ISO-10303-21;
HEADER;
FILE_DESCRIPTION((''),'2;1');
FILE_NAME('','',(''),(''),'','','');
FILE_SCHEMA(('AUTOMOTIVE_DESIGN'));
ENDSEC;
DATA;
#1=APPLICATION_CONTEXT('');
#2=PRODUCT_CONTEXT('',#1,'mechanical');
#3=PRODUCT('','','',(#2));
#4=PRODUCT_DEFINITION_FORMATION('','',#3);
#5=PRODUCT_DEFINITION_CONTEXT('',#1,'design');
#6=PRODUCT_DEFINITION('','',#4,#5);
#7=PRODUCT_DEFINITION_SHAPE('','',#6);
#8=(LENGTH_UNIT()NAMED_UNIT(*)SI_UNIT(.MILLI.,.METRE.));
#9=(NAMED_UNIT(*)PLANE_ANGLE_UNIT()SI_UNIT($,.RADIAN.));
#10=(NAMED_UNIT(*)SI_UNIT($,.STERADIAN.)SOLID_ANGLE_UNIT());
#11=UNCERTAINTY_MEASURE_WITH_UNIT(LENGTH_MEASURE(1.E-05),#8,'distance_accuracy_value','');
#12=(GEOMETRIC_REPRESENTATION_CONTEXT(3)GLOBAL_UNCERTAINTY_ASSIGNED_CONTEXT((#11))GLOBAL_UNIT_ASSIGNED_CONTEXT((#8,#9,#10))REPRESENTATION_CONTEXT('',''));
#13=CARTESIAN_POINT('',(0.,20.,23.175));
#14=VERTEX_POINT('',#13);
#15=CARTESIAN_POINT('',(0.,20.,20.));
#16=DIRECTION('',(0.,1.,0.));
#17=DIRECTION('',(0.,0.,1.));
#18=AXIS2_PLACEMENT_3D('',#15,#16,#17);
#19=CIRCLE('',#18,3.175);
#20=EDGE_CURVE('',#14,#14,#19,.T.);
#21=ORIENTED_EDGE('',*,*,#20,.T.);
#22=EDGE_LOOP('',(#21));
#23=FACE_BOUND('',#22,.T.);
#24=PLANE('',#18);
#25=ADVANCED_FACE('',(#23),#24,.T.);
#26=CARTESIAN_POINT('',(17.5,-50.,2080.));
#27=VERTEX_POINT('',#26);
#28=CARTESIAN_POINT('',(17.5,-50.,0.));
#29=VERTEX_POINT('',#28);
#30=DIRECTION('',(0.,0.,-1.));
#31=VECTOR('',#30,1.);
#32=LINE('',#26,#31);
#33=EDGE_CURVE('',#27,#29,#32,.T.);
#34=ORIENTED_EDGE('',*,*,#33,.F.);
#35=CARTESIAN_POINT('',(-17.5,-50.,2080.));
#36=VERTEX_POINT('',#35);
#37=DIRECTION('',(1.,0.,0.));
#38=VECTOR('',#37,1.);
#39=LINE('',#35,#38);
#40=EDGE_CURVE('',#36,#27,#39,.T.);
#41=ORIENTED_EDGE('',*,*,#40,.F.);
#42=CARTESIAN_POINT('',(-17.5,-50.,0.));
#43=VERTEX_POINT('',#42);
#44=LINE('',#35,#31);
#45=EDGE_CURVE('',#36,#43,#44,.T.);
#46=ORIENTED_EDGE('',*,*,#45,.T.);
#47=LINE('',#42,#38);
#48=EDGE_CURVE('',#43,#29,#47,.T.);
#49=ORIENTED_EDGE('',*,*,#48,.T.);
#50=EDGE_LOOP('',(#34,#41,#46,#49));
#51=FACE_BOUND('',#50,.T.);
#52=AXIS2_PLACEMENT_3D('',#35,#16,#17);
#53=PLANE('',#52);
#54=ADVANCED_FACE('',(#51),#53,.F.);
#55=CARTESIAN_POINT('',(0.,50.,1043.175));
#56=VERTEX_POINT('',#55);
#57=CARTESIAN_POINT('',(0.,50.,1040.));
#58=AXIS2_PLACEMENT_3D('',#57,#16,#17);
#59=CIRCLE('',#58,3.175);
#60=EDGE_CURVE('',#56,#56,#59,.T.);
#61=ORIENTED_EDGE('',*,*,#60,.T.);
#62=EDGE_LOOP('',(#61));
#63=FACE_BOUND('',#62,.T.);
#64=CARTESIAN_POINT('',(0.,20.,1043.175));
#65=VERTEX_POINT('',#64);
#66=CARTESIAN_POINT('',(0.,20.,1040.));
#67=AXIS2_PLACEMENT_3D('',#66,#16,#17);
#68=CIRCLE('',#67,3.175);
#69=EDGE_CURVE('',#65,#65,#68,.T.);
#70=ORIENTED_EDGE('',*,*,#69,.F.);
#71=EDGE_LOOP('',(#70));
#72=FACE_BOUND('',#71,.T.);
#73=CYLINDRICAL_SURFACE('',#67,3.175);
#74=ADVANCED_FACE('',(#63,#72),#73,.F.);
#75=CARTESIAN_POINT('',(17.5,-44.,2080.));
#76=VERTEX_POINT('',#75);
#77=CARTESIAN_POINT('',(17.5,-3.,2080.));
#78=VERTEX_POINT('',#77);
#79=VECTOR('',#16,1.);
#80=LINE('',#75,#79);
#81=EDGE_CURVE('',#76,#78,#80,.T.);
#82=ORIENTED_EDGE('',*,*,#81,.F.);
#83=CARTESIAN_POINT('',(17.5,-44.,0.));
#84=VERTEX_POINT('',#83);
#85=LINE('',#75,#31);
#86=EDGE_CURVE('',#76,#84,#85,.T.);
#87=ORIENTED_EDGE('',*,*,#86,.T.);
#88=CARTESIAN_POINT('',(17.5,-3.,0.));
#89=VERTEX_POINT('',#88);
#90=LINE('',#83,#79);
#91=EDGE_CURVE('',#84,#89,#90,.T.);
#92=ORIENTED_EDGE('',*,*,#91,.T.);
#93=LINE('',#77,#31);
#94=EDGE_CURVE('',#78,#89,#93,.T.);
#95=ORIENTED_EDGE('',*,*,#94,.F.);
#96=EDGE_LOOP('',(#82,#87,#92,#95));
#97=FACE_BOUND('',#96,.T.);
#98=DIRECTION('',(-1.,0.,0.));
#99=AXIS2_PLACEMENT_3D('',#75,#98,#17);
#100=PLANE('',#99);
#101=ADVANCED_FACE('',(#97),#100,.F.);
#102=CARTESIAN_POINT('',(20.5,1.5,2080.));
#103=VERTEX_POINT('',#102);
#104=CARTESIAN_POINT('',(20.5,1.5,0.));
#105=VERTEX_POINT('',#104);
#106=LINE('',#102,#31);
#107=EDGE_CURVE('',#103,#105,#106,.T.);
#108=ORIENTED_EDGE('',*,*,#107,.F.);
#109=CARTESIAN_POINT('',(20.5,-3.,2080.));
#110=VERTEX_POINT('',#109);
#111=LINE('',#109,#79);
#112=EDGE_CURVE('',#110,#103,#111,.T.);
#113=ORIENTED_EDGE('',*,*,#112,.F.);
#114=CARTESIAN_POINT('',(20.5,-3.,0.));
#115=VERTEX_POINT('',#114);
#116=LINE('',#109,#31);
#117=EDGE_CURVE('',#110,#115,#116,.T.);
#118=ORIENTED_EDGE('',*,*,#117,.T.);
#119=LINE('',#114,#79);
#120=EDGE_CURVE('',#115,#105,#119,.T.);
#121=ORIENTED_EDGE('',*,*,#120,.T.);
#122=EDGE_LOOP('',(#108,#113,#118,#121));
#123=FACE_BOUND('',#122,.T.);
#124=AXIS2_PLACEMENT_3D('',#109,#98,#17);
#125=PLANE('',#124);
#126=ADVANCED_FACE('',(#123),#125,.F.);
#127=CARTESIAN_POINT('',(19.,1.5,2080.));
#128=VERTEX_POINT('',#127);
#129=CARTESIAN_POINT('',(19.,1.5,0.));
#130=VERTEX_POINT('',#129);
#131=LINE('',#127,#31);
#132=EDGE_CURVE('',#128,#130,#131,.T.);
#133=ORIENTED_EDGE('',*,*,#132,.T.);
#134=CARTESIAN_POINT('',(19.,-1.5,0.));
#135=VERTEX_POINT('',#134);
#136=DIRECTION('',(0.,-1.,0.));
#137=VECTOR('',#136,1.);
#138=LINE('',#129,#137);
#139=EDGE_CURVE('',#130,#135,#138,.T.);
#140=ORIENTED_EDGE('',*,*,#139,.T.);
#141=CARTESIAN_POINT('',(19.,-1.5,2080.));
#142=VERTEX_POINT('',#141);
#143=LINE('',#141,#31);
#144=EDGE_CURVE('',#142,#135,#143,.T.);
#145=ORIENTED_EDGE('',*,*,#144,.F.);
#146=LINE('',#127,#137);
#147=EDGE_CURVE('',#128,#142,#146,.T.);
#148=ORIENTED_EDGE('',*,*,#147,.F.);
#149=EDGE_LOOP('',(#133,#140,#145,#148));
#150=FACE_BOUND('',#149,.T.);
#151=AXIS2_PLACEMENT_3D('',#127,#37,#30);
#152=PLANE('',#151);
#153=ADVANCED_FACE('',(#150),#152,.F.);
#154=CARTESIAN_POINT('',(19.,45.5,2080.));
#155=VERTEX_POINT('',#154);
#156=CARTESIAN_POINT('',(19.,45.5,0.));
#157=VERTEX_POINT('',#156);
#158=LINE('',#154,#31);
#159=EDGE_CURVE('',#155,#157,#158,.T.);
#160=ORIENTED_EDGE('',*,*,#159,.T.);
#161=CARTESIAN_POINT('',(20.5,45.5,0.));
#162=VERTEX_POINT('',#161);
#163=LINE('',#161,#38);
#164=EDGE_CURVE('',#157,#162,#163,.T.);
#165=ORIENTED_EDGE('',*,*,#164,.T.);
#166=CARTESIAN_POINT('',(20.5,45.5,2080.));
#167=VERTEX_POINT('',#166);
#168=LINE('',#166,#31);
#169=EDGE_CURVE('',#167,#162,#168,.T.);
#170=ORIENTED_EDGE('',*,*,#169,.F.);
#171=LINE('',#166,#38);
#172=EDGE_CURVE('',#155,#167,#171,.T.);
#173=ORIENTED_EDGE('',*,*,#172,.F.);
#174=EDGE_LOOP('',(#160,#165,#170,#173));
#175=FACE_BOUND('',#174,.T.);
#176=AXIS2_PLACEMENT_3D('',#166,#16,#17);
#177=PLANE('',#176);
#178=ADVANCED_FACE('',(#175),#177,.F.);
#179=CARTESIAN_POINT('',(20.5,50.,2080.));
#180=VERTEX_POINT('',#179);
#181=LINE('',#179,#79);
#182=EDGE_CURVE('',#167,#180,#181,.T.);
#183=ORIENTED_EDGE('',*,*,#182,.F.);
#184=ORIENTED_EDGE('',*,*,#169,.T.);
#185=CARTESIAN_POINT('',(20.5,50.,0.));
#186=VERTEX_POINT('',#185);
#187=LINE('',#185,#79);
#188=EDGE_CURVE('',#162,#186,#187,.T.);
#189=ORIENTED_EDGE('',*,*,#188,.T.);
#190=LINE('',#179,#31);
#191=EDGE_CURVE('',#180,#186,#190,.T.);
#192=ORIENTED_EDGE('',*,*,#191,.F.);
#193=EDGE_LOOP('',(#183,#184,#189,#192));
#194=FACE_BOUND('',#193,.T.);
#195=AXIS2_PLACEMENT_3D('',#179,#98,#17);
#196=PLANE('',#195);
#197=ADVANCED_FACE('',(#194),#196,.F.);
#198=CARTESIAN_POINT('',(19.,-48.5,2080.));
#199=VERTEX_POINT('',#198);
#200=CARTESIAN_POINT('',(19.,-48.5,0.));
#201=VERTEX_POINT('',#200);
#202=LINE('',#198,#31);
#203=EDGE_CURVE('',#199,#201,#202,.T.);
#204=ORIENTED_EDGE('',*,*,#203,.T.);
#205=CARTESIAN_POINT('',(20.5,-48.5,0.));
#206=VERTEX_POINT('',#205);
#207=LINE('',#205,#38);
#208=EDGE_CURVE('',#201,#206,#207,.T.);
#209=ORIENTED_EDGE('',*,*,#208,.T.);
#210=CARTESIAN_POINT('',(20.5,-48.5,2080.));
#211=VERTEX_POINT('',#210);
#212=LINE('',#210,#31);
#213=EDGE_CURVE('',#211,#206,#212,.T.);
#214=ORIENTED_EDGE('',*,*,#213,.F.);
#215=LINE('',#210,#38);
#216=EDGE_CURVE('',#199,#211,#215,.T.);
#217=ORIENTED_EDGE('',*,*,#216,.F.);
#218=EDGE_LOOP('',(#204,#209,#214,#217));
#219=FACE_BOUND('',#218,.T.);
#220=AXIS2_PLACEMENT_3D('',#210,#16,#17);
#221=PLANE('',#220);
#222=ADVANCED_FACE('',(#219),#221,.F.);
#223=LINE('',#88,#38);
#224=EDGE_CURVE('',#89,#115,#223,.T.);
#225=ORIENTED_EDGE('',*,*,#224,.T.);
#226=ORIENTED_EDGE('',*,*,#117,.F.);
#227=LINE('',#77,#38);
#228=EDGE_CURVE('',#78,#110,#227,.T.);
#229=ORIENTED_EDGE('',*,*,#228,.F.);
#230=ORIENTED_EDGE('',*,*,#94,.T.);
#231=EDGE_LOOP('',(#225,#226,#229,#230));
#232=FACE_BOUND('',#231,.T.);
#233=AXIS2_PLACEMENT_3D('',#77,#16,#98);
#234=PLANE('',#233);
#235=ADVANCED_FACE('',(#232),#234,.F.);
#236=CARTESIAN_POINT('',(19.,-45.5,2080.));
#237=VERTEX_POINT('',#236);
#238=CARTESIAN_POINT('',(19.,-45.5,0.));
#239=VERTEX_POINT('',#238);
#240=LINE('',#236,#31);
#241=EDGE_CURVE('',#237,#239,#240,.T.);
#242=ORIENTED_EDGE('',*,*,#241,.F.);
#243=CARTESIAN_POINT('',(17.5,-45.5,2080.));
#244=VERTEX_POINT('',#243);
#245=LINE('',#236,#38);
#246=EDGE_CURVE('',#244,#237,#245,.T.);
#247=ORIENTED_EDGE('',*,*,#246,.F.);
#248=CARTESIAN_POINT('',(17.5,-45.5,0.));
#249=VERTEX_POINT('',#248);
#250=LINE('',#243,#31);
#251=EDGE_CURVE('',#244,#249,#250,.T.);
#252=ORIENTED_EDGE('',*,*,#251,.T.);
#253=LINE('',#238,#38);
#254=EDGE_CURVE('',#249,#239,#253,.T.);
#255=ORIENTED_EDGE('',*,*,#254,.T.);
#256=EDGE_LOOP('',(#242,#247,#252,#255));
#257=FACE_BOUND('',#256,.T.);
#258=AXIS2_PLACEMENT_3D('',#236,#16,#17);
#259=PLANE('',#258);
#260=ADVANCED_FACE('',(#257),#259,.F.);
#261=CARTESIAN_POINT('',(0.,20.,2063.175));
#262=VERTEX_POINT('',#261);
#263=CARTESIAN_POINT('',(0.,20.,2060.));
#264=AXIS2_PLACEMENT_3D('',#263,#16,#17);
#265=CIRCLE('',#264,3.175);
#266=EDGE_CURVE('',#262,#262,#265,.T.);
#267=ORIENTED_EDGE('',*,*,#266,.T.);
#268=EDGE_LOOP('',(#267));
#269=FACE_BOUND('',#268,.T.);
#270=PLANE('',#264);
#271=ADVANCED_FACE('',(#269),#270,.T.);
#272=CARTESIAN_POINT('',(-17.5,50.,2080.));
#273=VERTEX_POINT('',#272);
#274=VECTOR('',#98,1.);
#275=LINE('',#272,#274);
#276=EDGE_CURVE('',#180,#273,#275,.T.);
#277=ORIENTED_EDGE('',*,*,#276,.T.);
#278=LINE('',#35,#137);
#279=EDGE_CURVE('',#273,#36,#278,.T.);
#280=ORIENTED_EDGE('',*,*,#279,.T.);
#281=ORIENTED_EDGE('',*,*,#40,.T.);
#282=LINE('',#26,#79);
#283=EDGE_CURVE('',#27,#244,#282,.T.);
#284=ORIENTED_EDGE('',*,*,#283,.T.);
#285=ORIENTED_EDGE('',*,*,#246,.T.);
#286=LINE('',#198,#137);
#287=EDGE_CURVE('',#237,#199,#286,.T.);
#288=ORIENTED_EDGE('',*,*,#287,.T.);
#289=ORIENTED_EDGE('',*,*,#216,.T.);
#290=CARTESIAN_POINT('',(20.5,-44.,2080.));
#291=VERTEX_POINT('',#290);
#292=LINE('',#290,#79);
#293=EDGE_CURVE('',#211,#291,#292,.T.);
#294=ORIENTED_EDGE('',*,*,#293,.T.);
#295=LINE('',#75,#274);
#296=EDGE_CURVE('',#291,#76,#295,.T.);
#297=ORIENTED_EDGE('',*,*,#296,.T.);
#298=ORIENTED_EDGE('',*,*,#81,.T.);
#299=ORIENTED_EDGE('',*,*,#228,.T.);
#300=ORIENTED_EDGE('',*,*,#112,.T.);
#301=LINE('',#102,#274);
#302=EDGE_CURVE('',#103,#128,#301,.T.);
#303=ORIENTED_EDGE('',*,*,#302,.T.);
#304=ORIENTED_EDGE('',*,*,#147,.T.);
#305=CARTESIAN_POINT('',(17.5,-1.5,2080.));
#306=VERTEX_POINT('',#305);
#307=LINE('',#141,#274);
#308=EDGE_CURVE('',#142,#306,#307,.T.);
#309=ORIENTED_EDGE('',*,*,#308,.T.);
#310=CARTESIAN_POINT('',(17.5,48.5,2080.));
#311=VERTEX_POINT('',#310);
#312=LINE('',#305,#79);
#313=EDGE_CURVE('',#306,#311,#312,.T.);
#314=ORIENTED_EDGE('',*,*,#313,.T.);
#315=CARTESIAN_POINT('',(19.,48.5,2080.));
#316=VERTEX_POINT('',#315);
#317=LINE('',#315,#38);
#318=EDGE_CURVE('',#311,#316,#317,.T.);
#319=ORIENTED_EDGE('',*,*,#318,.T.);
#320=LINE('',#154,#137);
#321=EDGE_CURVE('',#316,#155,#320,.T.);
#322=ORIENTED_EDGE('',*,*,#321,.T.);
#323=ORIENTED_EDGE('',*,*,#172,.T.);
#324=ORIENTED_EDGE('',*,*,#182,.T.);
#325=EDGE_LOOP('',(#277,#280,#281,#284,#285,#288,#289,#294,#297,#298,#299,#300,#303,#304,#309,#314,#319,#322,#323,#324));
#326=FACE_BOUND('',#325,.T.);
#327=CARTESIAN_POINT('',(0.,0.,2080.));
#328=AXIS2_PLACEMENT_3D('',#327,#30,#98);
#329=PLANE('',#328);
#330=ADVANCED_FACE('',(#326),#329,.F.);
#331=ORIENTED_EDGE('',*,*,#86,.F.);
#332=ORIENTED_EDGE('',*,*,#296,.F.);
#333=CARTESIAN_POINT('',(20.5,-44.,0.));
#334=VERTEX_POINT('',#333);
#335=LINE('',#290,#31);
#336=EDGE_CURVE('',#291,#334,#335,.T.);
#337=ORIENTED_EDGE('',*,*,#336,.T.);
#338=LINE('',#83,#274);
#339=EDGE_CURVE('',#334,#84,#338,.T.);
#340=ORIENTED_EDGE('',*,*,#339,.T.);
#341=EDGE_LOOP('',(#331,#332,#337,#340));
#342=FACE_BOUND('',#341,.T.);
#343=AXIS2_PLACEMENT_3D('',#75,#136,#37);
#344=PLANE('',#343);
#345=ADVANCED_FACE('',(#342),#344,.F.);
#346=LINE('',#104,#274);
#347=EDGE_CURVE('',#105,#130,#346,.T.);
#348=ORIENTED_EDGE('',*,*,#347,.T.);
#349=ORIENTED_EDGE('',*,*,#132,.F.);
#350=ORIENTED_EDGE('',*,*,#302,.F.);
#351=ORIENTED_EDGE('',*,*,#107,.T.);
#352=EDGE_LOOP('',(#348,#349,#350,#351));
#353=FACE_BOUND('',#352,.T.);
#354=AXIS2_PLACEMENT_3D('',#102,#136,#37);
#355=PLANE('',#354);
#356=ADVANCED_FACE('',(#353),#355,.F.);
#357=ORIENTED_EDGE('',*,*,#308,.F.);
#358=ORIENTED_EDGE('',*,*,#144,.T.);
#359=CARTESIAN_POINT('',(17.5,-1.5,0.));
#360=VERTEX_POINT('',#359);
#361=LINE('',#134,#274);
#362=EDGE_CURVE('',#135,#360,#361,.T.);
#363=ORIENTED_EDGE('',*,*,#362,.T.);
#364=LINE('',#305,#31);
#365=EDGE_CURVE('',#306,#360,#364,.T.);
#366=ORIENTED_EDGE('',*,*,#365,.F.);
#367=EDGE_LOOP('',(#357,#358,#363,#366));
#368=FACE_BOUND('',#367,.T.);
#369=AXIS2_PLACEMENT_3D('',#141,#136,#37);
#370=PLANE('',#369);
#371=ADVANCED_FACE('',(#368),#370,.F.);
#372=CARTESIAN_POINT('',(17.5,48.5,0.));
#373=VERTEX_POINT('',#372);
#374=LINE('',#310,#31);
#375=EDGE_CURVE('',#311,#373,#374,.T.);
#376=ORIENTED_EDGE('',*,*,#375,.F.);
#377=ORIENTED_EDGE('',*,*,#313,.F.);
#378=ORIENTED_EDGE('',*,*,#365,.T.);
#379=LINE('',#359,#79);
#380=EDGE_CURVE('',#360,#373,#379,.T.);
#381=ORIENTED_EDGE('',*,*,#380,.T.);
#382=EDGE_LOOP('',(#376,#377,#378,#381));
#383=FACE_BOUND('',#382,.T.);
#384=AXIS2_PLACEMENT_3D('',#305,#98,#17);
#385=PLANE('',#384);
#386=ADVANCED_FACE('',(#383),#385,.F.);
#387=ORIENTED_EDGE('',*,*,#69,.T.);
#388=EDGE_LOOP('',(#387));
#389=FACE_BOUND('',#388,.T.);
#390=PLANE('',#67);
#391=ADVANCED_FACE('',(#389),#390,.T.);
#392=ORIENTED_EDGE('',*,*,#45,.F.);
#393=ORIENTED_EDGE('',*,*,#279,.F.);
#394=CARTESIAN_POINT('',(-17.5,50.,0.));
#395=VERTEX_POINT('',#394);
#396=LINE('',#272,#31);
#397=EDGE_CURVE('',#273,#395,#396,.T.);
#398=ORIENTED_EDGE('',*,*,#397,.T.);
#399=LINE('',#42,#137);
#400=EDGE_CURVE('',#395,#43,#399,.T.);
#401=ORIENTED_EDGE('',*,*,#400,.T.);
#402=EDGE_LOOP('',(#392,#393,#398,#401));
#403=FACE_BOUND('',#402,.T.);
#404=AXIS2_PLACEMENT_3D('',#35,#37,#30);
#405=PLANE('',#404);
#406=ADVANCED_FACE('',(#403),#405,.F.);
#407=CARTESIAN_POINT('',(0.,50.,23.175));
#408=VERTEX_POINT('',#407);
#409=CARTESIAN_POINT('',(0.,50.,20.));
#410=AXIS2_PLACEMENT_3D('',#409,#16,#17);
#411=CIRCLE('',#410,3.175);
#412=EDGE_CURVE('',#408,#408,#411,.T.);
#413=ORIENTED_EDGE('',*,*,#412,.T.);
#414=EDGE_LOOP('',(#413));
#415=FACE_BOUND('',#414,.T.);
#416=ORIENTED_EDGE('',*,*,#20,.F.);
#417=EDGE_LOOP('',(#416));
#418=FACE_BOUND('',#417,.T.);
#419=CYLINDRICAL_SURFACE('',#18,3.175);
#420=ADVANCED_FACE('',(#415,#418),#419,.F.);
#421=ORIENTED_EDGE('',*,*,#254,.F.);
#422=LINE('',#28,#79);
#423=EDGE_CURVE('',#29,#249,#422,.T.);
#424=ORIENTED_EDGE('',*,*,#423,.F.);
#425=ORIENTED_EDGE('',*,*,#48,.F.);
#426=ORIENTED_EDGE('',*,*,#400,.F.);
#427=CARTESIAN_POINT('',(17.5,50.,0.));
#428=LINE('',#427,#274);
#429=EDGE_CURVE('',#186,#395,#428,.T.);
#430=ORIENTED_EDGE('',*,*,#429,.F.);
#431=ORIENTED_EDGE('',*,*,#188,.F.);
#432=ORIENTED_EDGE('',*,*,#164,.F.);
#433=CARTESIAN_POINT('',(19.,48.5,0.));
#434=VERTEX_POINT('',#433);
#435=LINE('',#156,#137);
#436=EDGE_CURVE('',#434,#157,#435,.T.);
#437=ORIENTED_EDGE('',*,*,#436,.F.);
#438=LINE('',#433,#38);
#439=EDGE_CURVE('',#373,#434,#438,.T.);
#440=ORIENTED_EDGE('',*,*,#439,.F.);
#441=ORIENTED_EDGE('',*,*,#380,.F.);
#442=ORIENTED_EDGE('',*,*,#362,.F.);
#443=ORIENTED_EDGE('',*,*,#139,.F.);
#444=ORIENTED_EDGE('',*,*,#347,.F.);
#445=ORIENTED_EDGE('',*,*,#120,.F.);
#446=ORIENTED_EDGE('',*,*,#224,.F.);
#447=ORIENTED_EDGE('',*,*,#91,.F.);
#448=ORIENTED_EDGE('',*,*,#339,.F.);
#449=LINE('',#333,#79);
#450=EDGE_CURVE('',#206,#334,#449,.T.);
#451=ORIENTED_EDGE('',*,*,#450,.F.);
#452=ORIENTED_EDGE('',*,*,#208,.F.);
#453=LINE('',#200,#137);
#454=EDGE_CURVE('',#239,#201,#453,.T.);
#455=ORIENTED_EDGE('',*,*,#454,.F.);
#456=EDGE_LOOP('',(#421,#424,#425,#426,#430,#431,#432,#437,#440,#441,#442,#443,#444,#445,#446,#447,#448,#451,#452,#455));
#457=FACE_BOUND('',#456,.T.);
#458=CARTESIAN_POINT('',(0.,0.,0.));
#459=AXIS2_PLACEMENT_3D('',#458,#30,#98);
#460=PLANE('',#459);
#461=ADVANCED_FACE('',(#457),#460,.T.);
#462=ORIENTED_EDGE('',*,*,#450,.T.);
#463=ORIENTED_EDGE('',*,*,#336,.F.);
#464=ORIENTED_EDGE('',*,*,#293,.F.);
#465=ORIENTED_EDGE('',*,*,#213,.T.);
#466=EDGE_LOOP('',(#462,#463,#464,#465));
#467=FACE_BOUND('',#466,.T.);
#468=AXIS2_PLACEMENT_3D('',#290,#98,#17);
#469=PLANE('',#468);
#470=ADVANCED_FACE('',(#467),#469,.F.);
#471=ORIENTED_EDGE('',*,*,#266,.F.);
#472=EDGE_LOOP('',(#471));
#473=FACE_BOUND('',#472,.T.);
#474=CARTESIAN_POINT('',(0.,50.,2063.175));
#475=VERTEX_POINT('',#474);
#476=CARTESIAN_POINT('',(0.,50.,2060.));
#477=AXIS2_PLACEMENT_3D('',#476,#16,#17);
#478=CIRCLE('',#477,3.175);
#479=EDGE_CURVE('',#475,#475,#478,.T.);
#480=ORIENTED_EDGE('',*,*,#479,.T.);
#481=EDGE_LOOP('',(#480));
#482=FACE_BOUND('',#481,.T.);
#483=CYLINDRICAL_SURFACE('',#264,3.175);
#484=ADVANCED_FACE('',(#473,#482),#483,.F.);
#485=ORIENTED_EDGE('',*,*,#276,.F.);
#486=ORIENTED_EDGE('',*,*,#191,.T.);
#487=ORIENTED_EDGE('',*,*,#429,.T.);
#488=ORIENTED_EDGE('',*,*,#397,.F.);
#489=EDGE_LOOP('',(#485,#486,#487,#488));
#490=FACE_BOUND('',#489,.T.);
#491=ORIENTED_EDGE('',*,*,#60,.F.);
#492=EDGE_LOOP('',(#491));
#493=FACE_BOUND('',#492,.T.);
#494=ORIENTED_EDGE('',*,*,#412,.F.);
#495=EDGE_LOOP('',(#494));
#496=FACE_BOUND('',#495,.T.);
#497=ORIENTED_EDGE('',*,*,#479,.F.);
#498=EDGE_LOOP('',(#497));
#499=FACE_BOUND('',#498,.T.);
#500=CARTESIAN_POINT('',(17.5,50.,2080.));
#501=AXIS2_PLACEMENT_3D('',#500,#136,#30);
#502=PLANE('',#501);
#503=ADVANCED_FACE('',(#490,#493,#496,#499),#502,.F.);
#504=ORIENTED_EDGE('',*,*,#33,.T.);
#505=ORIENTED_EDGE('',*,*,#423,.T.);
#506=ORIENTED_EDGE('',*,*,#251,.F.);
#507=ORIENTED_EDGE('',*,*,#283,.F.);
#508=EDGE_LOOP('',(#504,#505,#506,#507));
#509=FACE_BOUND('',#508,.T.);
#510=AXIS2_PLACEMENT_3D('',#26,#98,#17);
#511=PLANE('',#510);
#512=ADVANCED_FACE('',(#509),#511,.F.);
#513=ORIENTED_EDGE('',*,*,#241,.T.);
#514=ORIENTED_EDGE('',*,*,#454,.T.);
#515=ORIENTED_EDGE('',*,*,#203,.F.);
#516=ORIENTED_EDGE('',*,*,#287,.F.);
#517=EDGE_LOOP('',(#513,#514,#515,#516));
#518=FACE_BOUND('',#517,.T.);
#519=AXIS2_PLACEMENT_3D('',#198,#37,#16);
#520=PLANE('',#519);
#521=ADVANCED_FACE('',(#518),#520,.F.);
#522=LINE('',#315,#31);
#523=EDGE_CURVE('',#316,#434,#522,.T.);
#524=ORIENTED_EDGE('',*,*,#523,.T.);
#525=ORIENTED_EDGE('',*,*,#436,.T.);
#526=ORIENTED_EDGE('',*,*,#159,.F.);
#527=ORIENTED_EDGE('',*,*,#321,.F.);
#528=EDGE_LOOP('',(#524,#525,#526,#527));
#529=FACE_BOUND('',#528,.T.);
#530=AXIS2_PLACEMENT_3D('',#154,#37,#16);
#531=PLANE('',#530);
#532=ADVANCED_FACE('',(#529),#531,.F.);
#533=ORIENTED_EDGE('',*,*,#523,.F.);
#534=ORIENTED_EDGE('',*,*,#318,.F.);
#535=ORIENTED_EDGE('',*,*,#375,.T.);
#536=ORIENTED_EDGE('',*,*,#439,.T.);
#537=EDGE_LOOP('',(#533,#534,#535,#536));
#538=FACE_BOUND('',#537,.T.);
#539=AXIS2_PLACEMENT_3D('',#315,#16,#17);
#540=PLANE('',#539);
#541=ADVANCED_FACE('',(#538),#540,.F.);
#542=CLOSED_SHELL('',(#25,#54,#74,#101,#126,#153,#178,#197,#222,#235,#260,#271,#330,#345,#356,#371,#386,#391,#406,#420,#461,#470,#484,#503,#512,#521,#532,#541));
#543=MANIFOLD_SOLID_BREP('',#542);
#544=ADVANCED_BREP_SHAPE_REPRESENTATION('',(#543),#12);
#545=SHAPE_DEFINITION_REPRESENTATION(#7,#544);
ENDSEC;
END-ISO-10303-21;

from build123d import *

# Parameters (mm, degrees)
SALIENTE_EXTRUIR1_DEPTH = 2080
CROQUIS2_R              = 3.175
CORTAR_EXTRUIR1_DEPTH   = 30


with BuildPart() as part:
    # Croquis1 → Saliente-Extruir1 (new body)
    with BuildSketch(Plane.XY):
        Polygon((17.5, 50), (20.5, 50), (20.5, 45.5), (19, 45.5), (19, 48.5), (17.5, 48.5), (17.5, -1.5), (19, -1.5), (19, 1.5), (20.5, 1.5), (20.5, -3), (17.5, -3), (17.5, -44), (20.5, -44), (20.5, -48.5), (19, -48.5), (19, -45.5), (17.5, -45.5), (17.5, -50), (-17.5, -50), (-17.5, 50), align=None)
    extrude(amount=SALIENTE_EXTRUIR1_DEPTH)

    # Croquis2 → Cortar-Extruir1 (cut)
    with BuildSketch(Plane(origin=(0, 50, 0), x_dir=(1, 0, 0), z_dir=(0, 1, 0))):
        with Locations(Location((0, -20, 0), (0, 0, 270))):
            Circle(CROQUIS2_R)
        with Locations(Location((0, -1040, 0), (0, 0, 270))):
            Circle(CROQUIS2_R)
        with Locations(Location((0, -2060, 0), (0, 0, 270))):
            Circle(CROQUIS2_R)
    extrude(amount=-CORTAR_EXTRUIR1_DEPTH, mode=Mode.SUBTRACT)


solid = part.part
